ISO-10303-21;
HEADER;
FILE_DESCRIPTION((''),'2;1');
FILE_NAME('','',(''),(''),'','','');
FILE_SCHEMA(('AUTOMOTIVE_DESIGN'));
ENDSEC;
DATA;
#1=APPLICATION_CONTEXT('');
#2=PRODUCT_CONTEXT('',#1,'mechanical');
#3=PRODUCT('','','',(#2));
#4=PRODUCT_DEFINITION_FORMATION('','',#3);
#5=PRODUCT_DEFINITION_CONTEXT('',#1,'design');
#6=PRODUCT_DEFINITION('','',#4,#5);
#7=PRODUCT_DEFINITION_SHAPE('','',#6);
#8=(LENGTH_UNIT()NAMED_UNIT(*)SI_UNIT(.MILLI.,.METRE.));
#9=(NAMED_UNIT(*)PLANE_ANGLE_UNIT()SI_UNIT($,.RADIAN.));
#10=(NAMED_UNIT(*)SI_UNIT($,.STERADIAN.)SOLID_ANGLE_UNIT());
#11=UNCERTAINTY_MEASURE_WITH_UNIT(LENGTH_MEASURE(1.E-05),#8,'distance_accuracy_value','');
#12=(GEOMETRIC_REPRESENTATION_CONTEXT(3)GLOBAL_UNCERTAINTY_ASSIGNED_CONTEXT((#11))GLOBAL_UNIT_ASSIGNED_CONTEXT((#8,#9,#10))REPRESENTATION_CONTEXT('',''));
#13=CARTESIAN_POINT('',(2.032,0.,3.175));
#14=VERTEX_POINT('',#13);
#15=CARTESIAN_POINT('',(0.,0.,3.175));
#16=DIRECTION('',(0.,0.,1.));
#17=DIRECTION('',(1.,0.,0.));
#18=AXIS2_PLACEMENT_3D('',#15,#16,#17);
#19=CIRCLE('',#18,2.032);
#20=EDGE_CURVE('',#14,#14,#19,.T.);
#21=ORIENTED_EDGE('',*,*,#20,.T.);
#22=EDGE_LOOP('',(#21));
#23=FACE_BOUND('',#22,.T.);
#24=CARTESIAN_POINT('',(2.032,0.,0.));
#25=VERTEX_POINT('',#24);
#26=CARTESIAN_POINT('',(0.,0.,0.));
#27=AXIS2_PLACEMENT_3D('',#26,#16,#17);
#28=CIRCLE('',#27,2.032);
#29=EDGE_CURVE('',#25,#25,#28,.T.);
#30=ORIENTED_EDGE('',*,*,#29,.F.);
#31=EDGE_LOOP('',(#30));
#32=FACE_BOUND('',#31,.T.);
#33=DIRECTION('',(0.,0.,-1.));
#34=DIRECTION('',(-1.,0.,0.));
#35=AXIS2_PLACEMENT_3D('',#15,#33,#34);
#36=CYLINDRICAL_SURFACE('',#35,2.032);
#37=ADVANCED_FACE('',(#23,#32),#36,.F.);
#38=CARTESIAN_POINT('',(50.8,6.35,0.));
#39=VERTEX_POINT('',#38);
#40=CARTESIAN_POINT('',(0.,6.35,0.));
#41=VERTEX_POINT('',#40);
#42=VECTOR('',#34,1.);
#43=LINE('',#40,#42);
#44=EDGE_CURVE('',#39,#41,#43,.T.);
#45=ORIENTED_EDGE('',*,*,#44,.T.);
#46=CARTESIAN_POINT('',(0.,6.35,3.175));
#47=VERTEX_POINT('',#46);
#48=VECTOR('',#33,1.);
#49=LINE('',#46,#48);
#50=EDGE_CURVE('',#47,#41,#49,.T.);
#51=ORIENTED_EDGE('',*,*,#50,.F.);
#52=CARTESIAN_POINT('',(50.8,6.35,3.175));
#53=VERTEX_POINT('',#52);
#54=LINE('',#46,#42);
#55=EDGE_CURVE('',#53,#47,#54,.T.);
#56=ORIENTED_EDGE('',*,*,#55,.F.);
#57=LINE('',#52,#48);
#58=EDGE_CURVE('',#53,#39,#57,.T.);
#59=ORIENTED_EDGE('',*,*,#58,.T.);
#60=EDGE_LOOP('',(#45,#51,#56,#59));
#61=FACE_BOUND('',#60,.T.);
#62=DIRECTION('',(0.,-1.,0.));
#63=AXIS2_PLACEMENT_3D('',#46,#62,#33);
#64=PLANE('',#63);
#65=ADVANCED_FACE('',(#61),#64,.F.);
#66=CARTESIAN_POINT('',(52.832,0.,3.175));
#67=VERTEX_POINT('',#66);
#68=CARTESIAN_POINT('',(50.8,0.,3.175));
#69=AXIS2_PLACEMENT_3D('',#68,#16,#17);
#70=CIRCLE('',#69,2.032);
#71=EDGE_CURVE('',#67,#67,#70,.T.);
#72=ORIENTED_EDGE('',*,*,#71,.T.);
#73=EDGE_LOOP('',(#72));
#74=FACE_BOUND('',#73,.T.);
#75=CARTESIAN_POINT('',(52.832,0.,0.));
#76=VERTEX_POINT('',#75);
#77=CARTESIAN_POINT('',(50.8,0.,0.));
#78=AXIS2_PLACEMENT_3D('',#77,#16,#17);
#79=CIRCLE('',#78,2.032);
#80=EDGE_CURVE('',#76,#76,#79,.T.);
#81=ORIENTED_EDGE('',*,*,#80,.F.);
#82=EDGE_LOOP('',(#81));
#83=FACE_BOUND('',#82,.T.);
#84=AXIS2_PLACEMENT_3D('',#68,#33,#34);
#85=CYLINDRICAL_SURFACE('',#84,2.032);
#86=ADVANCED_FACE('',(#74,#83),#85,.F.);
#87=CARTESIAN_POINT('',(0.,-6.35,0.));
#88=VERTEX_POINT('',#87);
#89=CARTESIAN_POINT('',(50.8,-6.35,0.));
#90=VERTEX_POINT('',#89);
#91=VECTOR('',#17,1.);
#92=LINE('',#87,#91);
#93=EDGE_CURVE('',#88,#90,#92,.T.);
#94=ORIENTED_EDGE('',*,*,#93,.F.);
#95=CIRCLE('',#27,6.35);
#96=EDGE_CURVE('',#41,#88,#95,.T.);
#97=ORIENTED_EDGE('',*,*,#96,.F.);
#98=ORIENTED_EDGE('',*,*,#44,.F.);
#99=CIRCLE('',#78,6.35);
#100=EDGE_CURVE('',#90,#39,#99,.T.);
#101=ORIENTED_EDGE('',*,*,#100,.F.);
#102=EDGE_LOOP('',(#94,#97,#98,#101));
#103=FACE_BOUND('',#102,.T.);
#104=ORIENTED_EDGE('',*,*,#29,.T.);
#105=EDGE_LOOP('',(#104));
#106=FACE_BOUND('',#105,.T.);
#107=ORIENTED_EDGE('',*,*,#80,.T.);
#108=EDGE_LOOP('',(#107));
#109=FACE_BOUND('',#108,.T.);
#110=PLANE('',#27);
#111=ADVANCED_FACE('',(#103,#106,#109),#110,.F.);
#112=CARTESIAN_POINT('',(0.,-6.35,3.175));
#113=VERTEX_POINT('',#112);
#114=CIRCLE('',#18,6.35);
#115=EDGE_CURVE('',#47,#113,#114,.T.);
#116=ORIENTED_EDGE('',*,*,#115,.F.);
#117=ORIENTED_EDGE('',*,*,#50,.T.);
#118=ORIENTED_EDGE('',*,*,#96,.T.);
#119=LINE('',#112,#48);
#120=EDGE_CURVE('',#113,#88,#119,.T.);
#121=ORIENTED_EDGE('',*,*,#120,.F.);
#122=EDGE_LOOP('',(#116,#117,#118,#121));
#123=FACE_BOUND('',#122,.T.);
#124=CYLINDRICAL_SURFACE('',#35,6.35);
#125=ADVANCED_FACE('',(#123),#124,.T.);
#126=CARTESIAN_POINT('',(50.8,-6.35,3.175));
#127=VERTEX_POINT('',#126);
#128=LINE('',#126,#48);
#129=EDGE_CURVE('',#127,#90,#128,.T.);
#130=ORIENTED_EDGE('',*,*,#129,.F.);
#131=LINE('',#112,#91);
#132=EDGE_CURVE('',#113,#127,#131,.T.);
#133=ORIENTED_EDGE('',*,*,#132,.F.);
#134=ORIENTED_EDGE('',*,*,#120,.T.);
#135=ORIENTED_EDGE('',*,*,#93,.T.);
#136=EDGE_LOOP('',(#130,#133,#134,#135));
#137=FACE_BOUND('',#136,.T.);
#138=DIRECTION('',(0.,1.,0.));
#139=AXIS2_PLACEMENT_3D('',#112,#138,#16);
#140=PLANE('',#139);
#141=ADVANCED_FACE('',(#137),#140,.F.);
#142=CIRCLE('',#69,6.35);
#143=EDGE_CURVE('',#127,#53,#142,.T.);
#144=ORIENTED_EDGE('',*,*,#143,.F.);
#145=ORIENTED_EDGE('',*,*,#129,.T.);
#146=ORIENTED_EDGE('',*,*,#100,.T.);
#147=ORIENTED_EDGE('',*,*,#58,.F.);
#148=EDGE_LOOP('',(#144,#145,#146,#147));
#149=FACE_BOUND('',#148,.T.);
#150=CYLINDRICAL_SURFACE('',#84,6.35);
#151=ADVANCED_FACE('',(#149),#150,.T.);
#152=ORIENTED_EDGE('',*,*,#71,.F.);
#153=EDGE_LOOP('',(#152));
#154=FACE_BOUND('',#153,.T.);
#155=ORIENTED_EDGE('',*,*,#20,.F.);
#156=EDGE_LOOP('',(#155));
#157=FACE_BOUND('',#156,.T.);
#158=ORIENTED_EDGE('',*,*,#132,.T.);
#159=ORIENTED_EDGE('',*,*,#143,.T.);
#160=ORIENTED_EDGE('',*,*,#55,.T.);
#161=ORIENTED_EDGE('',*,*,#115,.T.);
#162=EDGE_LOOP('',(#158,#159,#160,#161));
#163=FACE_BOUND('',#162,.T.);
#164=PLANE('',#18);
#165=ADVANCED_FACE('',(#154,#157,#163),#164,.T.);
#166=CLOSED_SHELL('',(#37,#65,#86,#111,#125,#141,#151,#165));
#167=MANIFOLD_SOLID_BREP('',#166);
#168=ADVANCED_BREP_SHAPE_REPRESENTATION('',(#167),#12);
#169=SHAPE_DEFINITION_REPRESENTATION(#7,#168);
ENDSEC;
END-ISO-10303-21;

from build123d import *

# Parameters (mm, degrees)
SKETCH1_R           = 2.032
BOSS_EXTRUDE1_DEPTH = 3.175


with BuildPart() as part:
    # Sketch1 → Boss-Extrude1 (new body)
    with BuildSketch(Plane.XY):
        with BuildLine():
            Line((0, 6.35), (50.8, 6.35))
            ThreePointArc((50.8, 6.35), (57.15, 0), (50.8, -6.35))
            Line((50.8, -6.35), (0, -6.35))
            ThreePointArc((0, -6.35), (-6.35, 0), (0, 6.35))
        make_face()
        Circle(SKETCH1_R, mode=Mode.SUBTRACT)
        with Locations((50.8, 0)):
            Circle(SKETCH1_R, mode=Mode.SUBTRACT)
    extrude(amount=BOSS_EXTRUDE1_DEPTH)


solid = part.part
